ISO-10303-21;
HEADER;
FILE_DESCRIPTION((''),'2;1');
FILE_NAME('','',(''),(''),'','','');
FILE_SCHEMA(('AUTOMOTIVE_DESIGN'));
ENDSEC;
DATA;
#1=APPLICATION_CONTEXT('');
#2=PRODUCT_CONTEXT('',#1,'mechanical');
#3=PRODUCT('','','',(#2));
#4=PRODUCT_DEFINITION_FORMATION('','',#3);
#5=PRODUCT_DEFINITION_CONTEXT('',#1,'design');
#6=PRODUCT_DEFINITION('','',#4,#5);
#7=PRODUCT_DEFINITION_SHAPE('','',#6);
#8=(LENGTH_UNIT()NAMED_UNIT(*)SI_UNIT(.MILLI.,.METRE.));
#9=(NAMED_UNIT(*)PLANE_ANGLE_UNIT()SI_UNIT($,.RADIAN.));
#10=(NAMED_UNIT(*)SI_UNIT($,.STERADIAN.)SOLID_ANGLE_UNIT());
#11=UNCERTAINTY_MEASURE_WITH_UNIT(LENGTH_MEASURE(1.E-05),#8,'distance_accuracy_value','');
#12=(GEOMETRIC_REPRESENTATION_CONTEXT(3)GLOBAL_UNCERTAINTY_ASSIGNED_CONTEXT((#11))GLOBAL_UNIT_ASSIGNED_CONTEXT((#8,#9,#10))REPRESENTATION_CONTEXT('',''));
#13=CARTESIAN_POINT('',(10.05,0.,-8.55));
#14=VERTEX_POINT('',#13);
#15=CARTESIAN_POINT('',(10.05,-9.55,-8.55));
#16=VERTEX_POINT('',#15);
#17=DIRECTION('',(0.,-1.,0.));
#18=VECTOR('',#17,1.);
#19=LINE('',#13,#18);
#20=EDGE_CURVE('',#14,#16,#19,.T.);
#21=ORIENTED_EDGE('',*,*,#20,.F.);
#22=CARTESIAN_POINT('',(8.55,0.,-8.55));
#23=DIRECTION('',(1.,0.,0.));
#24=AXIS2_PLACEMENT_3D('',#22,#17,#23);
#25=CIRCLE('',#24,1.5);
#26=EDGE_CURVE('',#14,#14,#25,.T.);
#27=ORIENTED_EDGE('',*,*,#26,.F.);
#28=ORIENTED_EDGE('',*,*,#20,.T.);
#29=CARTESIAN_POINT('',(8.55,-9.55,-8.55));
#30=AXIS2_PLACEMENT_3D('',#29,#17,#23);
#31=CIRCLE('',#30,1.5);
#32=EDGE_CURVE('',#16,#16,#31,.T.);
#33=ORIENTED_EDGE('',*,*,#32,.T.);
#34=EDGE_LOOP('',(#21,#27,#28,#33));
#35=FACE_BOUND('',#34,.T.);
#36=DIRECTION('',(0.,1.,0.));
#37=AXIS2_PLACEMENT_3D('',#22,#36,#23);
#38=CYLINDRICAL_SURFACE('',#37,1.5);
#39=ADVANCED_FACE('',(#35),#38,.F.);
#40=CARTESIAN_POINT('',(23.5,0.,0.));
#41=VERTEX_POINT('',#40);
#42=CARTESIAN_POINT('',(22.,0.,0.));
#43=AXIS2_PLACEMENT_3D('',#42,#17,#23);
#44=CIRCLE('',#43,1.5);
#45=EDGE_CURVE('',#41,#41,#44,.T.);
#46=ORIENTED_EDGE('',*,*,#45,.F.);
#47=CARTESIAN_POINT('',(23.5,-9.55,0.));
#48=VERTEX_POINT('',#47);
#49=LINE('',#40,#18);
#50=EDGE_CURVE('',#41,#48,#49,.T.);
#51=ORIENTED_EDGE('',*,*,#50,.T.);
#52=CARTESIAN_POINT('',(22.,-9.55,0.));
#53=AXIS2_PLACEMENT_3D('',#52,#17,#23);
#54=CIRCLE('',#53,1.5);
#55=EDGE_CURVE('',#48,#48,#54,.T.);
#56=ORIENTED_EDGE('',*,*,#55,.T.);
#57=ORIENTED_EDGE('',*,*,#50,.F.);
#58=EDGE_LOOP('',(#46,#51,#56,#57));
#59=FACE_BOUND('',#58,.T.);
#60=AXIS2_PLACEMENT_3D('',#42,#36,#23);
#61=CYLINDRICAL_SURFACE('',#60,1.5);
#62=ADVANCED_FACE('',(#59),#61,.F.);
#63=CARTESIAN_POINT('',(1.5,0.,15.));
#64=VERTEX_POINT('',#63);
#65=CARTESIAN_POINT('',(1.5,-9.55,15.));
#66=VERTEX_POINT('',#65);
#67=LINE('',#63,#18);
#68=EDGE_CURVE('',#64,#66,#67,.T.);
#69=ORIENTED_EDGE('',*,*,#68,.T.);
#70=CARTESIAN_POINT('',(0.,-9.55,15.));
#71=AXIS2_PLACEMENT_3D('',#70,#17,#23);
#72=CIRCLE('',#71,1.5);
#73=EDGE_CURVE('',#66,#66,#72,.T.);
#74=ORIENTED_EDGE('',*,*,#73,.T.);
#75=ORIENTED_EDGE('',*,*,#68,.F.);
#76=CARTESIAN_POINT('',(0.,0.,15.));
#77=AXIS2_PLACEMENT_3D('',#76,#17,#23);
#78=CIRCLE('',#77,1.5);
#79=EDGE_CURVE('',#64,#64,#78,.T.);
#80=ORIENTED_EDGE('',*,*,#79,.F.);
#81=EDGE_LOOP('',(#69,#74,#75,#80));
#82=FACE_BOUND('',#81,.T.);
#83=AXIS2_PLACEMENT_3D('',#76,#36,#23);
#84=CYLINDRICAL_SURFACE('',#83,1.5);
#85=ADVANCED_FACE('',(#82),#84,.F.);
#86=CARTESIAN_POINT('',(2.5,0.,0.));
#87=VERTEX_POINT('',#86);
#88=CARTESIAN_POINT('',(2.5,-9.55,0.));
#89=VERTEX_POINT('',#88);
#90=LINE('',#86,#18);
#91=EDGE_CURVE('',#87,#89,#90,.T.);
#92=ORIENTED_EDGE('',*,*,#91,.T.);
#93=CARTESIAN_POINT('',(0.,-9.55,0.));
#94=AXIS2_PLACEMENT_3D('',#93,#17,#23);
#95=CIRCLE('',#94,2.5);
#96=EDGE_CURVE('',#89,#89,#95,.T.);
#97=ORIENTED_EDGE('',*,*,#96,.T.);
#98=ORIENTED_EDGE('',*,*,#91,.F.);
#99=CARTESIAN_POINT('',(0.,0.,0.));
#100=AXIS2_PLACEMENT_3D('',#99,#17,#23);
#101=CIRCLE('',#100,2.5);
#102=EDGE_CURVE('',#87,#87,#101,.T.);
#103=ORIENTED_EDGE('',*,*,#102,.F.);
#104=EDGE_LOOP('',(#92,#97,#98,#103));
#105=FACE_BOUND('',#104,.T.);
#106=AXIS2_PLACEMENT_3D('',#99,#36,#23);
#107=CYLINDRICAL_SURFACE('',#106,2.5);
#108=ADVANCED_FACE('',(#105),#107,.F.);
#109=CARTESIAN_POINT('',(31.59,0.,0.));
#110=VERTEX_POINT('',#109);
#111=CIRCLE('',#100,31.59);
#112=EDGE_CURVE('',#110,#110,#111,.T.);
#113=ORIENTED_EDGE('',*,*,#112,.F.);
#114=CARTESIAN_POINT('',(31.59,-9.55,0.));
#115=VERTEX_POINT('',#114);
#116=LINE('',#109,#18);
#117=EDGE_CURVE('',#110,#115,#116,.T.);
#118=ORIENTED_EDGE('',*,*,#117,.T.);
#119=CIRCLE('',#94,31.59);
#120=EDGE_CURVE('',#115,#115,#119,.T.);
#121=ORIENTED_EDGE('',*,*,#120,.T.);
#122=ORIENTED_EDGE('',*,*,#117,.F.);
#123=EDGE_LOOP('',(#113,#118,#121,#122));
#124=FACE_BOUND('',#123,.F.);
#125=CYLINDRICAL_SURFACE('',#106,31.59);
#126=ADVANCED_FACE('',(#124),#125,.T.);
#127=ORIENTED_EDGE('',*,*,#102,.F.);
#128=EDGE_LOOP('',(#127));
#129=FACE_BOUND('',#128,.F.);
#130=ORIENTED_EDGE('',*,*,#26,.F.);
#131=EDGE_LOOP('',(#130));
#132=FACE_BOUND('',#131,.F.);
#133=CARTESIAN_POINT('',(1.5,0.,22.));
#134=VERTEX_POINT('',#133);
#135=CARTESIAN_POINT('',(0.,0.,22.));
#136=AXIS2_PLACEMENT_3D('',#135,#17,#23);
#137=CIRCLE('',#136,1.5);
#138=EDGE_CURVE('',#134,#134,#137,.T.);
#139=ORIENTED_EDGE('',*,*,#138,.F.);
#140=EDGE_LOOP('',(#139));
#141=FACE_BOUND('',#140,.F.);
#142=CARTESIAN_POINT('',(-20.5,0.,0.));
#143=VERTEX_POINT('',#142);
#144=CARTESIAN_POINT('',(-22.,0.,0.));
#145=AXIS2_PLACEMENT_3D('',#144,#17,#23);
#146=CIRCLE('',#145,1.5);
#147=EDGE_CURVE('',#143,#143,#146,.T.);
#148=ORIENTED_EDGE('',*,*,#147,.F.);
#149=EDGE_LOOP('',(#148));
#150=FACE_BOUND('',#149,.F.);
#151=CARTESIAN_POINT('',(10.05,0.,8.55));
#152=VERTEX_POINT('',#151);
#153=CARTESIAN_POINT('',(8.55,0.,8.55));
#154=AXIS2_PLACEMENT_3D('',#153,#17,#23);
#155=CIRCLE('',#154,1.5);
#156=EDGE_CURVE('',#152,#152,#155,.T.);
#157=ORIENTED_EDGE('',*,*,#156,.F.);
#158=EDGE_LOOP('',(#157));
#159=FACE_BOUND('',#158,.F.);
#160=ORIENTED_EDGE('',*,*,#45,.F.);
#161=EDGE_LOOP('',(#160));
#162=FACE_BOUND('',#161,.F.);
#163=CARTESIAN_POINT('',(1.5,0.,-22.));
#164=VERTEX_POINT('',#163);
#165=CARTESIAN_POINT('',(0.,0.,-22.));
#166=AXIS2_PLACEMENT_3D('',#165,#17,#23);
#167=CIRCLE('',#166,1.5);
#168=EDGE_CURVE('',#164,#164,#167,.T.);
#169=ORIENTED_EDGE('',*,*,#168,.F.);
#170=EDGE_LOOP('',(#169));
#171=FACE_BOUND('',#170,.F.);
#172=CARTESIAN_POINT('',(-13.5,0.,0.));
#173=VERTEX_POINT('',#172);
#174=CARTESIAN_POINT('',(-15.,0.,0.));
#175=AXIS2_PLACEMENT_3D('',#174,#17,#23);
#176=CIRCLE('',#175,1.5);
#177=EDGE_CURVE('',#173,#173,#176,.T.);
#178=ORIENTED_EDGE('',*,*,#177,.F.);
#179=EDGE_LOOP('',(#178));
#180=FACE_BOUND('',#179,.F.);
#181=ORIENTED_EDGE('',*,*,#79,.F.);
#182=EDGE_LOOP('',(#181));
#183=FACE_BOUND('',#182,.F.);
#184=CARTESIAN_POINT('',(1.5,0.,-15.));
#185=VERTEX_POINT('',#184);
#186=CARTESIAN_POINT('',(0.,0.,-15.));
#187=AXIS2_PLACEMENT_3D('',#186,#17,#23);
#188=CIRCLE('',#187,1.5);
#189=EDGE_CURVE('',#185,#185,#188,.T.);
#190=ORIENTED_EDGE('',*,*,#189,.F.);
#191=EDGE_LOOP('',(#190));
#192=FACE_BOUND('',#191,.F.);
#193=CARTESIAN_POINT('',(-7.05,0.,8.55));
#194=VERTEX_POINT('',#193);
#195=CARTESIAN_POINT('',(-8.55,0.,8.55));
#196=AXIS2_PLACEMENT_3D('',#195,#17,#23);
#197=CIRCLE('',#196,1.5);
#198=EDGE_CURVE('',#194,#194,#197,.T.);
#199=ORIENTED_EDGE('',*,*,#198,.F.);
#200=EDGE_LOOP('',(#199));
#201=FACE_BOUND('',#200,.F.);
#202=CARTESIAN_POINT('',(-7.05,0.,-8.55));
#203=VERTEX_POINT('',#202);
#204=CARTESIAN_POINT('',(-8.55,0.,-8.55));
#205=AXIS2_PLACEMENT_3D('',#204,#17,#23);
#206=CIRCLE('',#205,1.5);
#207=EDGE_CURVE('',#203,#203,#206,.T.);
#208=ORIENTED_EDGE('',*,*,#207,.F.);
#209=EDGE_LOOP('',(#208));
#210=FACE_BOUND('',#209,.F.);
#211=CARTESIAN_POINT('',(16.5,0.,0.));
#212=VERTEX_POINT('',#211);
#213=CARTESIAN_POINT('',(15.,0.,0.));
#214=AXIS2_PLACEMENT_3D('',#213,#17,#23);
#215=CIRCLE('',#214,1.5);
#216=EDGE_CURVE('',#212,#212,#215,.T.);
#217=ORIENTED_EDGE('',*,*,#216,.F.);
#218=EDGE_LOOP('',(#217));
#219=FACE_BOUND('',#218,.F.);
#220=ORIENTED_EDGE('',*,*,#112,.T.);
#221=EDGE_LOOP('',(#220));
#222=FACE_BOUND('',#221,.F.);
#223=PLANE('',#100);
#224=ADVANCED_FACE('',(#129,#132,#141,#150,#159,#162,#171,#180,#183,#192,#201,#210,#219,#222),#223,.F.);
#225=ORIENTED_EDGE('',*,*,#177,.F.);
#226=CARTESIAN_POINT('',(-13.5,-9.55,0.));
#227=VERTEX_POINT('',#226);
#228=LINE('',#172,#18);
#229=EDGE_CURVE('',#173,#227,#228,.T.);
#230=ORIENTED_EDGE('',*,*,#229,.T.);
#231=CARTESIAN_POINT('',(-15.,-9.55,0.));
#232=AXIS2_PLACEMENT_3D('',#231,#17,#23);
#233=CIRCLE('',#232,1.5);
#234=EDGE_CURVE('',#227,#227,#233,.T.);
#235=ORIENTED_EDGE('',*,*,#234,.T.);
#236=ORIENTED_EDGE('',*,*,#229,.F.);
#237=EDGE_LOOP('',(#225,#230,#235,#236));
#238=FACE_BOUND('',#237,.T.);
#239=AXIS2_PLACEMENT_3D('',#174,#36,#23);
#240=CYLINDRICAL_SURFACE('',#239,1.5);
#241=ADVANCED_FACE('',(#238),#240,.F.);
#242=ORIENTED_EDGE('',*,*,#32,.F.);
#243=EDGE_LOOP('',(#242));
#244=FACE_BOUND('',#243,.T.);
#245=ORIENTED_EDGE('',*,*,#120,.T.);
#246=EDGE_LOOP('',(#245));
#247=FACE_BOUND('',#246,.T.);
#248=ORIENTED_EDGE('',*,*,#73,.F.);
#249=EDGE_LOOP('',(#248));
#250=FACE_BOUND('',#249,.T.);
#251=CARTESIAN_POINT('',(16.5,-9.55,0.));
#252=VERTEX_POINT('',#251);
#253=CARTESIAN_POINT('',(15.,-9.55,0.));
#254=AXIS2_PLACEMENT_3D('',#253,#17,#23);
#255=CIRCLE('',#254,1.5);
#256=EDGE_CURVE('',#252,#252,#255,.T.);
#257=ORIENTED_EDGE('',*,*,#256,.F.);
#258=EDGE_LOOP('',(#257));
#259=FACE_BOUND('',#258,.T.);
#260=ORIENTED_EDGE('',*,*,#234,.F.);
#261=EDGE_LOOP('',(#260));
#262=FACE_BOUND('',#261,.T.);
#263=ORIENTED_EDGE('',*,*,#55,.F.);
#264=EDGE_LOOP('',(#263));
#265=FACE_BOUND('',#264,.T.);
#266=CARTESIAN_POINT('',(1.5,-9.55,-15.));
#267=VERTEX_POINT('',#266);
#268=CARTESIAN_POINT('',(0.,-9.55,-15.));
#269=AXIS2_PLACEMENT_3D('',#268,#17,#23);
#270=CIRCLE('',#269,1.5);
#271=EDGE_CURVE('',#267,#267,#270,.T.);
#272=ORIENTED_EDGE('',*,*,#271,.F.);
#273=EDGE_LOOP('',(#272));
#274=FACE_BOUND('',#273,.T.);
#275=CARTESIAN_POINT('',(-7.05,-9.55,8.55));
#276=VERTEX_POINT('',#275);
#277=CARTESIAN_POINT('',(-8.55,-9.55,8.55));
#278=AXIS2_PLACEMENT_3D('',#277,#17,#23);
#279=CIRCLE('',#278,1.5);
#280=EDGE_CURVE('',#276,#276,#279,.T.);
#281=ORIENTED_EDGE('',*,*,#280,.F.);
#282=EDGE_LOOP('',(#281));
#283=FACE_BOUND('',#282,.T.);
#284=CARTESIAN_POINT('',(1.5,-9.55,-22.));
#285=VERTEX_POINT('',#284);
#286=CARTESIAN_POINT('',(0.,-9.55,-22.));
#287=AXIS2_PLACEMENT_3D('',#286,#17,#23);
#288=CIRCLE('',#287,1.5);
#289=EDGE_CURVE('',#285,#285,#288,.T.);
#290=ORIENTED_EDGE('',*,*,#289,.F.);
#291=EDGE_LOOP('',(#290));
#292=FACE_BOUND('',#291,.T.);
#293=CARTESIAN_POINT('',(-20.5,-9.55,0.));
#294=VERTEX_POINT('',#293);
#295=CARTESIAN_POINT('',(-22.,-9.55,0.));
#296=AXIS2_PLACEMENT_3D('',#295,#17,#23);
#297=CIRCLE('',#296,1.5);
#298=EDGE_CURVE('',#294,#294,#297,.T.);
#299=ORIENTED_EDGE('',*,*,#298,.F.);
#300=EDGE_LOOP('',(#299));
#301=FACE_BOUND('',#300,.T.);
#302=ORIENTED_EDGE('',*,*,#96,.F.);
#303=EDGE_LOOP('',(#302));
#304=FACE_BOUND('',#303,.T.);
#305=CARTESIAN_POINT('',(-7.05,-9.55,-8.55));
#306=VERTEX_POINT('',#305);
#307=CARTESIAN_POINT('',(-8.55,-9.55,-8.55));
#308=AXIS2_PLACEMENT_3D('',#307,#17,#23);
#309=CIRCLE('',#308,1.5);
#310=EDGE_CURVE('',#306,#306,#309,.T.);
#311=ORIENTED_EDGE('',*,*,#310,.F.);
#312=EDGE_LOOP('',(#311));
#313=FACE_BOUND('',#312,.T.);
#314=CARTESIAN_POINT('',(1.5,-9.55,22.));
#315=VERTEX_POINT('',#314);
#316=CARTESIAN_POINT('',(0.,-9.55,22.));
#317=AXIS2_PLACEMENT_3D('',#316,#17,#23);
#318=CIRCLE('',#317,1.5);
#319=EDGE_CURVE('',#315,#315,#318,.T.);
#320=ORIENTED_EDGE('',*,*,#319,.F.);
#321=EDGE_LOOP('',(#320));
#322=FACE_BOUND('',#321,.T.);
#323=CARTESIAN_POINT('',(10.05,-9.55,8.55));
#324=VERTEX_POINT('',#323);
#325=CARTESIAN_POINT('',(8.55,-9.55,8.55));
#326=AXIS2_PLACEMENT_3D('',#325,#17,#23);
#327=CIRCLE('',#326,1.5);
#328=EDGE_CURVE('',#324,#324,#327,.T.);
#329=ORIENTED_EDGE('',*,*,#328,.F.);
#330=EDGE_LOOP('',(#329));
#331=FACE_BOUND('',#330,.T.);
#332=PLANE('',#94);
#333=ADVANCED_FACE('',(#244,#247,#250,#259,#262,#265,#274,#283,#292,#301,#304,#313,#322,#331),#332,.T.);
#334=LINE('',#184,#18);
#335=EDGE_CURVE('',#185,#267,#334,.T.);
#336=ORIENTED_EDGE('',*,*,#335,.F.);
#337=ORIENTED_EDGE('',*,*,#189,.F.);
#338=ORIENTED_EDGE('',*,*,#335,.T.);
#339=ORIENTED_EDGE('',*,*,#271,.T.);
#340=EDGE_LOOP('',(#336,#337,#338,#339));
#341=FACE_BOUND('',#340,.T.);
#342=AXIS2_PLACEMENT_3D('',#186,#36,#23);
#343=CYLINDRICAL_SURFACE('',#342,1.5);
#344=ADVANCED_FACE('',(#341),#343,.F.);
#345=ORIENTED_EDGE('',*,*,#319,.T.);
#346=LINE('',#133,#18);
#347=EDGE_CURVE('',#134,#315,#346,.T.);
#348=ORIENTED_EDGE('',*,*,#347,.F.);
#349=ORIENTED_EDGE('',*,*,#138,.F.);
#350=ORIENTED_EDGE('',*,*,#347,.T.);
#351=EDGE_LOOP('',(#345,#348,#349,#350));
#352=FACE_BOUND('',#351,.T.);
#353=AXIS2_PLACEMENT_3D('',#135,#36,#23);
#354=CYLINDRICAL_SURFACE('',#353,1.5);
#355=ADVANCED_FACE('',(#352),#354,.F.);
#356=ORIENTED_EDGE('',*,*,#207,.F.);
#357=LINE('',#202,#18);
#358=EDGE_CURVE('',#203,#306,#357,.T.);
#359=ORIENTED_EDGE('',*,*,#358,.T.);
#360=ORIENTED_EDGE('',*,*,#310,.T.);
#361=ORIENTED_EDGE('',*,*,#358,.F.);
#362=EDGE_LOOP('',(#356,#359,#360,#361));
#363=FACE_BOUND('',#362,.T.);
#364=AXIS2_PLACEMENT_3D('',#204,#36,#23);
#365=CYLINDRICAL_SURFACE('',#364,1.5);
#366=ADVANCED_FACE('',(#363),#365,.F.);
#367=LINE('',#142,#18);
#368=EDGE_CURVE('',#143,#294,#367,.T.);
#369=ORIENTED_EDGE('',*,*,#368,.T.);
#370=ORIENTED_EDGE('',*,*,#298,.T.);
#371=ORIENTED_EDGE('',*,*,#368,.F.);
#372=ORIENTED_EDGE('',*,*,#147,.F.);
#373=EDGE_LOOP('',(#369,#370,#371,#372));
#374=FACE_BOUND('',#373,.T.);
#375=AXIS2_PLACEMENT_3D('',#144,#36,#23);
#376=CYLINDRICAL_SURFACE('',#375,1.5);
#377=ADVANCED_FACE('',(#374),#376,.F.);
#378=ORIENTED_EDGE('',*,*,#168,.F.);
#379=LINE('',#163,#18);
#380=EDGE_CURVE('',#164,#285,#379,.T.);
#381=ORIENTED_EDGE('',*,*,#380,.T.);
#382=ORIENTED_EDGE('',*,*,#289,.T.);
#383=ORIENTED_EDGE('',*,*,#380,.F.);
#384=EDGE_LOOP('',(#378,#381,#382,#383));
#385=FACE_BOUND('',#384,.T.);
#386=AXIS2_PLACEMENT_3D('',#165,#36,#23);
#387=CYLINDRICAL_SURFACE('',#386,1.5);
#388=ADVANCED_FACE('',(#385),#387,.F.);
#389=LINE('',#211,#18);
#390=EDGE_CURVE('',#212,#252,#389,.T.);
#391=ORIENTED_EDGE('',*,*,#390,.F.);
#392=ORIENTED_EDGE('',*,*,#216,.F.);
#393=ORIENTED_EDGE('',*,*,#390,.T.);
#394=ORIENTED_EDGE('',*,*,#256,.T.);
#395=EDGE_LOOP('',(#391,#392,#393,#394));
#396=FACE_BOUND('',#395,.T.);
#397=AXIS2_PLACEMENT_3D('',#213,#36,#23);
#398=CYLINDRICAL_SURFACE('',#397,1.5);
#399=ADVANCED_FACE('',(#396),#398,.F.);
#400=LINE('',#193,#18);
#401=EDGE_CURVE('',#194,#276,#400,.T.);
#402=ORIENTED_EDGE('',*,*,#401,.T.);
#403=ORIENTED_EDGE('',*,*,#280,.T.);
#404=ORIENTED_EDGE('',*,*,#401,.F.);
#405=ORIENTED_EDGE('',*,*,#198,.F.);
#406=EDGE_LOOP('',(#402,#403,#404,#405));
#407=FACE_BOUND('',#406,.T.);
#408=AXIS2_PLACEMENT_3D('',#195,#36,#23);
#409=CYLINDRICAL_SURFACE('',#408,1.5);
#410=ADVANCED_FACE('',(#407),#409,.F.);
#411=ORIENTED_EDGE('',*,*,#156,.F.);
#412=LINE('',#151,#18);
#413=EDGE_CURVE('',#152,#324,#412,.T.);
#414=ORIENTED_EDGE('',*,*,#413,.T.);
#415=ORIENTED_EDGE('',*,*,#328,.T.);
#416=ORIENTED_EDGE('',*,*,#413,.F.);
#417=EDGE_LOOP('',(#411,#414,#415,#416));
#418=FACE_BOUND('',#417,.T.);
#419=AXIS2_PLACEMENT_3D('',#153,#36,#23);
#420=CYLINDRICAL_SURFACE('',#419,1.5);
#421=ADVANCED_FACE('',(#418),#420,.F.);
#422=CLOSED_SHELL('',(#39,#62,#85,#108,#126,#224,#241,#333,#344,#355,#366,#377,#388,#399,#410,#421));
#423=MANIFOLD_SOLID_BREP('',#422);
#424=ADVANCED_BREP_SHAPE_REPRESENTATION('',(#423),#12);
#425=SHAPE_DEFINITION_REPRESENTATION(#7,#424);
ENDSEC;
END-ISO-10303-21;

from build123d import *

# Parameters (mm, degrees)
F0_R     = 31.59
F0_R_2   = 1.5
F0_R_3   = 2.5
F1_DEPTH = 9.55


with BuildPart() as f1:
    # F0 (on Front) → F1 (new body)
    with BuildSketch(Plane.XZ):
        Circle(F0_R)
        with Locations((-8.55, -8.55)):
            Circle(F0_R_2, mode=Mode.SUBTRACT)
        with Locations((0, -22)):
            Circle(F0_R_2, mode=Mode.SUBTRACT)
        with Locations((0, -15)):
            Circle(F0_R_2, mode=Mode.SUBTRACT)
        with Locations((8.55, -8.55)):
            Circle(F0_R_2, mode=Mode.SUBTRACT)
        with Locations((-22, 0)):
            Circle(F0_R_2, mode=Mode.SUBTRACT)
        with Locations((-15, 0)):
            Circle(F0_R_2, mode=Mode.SUBTRACT)
        with Locations((-8.55, 8.55)):
            Circle(F0_R_2, mode=Mode.SUBTRACT)
        Circle(F0_R_3, mode=Mode.SUBTRACT)
        with Locations((15, 0)):
            Circle(F0_R_2, mode=Mode.SUBTRACT)
        with Locations((0, 15)):
            Circle(F0_R_2, mode=Mode.SUBTRACT)
        with Locations((8.55, 8.55)):
            Circle(F0_R_2, mode=Mode.SUBTRACT)
        with Locations((22, 0)):
            Circle(F0_R_2, mode=Mode.SUBTRACT)
        with Locations((0, 22)):
            Circle(F0_R_2, mode=Mode.SUBTRACT)
    extrude(amount=F1_DEPTH)


solid = f1.part
